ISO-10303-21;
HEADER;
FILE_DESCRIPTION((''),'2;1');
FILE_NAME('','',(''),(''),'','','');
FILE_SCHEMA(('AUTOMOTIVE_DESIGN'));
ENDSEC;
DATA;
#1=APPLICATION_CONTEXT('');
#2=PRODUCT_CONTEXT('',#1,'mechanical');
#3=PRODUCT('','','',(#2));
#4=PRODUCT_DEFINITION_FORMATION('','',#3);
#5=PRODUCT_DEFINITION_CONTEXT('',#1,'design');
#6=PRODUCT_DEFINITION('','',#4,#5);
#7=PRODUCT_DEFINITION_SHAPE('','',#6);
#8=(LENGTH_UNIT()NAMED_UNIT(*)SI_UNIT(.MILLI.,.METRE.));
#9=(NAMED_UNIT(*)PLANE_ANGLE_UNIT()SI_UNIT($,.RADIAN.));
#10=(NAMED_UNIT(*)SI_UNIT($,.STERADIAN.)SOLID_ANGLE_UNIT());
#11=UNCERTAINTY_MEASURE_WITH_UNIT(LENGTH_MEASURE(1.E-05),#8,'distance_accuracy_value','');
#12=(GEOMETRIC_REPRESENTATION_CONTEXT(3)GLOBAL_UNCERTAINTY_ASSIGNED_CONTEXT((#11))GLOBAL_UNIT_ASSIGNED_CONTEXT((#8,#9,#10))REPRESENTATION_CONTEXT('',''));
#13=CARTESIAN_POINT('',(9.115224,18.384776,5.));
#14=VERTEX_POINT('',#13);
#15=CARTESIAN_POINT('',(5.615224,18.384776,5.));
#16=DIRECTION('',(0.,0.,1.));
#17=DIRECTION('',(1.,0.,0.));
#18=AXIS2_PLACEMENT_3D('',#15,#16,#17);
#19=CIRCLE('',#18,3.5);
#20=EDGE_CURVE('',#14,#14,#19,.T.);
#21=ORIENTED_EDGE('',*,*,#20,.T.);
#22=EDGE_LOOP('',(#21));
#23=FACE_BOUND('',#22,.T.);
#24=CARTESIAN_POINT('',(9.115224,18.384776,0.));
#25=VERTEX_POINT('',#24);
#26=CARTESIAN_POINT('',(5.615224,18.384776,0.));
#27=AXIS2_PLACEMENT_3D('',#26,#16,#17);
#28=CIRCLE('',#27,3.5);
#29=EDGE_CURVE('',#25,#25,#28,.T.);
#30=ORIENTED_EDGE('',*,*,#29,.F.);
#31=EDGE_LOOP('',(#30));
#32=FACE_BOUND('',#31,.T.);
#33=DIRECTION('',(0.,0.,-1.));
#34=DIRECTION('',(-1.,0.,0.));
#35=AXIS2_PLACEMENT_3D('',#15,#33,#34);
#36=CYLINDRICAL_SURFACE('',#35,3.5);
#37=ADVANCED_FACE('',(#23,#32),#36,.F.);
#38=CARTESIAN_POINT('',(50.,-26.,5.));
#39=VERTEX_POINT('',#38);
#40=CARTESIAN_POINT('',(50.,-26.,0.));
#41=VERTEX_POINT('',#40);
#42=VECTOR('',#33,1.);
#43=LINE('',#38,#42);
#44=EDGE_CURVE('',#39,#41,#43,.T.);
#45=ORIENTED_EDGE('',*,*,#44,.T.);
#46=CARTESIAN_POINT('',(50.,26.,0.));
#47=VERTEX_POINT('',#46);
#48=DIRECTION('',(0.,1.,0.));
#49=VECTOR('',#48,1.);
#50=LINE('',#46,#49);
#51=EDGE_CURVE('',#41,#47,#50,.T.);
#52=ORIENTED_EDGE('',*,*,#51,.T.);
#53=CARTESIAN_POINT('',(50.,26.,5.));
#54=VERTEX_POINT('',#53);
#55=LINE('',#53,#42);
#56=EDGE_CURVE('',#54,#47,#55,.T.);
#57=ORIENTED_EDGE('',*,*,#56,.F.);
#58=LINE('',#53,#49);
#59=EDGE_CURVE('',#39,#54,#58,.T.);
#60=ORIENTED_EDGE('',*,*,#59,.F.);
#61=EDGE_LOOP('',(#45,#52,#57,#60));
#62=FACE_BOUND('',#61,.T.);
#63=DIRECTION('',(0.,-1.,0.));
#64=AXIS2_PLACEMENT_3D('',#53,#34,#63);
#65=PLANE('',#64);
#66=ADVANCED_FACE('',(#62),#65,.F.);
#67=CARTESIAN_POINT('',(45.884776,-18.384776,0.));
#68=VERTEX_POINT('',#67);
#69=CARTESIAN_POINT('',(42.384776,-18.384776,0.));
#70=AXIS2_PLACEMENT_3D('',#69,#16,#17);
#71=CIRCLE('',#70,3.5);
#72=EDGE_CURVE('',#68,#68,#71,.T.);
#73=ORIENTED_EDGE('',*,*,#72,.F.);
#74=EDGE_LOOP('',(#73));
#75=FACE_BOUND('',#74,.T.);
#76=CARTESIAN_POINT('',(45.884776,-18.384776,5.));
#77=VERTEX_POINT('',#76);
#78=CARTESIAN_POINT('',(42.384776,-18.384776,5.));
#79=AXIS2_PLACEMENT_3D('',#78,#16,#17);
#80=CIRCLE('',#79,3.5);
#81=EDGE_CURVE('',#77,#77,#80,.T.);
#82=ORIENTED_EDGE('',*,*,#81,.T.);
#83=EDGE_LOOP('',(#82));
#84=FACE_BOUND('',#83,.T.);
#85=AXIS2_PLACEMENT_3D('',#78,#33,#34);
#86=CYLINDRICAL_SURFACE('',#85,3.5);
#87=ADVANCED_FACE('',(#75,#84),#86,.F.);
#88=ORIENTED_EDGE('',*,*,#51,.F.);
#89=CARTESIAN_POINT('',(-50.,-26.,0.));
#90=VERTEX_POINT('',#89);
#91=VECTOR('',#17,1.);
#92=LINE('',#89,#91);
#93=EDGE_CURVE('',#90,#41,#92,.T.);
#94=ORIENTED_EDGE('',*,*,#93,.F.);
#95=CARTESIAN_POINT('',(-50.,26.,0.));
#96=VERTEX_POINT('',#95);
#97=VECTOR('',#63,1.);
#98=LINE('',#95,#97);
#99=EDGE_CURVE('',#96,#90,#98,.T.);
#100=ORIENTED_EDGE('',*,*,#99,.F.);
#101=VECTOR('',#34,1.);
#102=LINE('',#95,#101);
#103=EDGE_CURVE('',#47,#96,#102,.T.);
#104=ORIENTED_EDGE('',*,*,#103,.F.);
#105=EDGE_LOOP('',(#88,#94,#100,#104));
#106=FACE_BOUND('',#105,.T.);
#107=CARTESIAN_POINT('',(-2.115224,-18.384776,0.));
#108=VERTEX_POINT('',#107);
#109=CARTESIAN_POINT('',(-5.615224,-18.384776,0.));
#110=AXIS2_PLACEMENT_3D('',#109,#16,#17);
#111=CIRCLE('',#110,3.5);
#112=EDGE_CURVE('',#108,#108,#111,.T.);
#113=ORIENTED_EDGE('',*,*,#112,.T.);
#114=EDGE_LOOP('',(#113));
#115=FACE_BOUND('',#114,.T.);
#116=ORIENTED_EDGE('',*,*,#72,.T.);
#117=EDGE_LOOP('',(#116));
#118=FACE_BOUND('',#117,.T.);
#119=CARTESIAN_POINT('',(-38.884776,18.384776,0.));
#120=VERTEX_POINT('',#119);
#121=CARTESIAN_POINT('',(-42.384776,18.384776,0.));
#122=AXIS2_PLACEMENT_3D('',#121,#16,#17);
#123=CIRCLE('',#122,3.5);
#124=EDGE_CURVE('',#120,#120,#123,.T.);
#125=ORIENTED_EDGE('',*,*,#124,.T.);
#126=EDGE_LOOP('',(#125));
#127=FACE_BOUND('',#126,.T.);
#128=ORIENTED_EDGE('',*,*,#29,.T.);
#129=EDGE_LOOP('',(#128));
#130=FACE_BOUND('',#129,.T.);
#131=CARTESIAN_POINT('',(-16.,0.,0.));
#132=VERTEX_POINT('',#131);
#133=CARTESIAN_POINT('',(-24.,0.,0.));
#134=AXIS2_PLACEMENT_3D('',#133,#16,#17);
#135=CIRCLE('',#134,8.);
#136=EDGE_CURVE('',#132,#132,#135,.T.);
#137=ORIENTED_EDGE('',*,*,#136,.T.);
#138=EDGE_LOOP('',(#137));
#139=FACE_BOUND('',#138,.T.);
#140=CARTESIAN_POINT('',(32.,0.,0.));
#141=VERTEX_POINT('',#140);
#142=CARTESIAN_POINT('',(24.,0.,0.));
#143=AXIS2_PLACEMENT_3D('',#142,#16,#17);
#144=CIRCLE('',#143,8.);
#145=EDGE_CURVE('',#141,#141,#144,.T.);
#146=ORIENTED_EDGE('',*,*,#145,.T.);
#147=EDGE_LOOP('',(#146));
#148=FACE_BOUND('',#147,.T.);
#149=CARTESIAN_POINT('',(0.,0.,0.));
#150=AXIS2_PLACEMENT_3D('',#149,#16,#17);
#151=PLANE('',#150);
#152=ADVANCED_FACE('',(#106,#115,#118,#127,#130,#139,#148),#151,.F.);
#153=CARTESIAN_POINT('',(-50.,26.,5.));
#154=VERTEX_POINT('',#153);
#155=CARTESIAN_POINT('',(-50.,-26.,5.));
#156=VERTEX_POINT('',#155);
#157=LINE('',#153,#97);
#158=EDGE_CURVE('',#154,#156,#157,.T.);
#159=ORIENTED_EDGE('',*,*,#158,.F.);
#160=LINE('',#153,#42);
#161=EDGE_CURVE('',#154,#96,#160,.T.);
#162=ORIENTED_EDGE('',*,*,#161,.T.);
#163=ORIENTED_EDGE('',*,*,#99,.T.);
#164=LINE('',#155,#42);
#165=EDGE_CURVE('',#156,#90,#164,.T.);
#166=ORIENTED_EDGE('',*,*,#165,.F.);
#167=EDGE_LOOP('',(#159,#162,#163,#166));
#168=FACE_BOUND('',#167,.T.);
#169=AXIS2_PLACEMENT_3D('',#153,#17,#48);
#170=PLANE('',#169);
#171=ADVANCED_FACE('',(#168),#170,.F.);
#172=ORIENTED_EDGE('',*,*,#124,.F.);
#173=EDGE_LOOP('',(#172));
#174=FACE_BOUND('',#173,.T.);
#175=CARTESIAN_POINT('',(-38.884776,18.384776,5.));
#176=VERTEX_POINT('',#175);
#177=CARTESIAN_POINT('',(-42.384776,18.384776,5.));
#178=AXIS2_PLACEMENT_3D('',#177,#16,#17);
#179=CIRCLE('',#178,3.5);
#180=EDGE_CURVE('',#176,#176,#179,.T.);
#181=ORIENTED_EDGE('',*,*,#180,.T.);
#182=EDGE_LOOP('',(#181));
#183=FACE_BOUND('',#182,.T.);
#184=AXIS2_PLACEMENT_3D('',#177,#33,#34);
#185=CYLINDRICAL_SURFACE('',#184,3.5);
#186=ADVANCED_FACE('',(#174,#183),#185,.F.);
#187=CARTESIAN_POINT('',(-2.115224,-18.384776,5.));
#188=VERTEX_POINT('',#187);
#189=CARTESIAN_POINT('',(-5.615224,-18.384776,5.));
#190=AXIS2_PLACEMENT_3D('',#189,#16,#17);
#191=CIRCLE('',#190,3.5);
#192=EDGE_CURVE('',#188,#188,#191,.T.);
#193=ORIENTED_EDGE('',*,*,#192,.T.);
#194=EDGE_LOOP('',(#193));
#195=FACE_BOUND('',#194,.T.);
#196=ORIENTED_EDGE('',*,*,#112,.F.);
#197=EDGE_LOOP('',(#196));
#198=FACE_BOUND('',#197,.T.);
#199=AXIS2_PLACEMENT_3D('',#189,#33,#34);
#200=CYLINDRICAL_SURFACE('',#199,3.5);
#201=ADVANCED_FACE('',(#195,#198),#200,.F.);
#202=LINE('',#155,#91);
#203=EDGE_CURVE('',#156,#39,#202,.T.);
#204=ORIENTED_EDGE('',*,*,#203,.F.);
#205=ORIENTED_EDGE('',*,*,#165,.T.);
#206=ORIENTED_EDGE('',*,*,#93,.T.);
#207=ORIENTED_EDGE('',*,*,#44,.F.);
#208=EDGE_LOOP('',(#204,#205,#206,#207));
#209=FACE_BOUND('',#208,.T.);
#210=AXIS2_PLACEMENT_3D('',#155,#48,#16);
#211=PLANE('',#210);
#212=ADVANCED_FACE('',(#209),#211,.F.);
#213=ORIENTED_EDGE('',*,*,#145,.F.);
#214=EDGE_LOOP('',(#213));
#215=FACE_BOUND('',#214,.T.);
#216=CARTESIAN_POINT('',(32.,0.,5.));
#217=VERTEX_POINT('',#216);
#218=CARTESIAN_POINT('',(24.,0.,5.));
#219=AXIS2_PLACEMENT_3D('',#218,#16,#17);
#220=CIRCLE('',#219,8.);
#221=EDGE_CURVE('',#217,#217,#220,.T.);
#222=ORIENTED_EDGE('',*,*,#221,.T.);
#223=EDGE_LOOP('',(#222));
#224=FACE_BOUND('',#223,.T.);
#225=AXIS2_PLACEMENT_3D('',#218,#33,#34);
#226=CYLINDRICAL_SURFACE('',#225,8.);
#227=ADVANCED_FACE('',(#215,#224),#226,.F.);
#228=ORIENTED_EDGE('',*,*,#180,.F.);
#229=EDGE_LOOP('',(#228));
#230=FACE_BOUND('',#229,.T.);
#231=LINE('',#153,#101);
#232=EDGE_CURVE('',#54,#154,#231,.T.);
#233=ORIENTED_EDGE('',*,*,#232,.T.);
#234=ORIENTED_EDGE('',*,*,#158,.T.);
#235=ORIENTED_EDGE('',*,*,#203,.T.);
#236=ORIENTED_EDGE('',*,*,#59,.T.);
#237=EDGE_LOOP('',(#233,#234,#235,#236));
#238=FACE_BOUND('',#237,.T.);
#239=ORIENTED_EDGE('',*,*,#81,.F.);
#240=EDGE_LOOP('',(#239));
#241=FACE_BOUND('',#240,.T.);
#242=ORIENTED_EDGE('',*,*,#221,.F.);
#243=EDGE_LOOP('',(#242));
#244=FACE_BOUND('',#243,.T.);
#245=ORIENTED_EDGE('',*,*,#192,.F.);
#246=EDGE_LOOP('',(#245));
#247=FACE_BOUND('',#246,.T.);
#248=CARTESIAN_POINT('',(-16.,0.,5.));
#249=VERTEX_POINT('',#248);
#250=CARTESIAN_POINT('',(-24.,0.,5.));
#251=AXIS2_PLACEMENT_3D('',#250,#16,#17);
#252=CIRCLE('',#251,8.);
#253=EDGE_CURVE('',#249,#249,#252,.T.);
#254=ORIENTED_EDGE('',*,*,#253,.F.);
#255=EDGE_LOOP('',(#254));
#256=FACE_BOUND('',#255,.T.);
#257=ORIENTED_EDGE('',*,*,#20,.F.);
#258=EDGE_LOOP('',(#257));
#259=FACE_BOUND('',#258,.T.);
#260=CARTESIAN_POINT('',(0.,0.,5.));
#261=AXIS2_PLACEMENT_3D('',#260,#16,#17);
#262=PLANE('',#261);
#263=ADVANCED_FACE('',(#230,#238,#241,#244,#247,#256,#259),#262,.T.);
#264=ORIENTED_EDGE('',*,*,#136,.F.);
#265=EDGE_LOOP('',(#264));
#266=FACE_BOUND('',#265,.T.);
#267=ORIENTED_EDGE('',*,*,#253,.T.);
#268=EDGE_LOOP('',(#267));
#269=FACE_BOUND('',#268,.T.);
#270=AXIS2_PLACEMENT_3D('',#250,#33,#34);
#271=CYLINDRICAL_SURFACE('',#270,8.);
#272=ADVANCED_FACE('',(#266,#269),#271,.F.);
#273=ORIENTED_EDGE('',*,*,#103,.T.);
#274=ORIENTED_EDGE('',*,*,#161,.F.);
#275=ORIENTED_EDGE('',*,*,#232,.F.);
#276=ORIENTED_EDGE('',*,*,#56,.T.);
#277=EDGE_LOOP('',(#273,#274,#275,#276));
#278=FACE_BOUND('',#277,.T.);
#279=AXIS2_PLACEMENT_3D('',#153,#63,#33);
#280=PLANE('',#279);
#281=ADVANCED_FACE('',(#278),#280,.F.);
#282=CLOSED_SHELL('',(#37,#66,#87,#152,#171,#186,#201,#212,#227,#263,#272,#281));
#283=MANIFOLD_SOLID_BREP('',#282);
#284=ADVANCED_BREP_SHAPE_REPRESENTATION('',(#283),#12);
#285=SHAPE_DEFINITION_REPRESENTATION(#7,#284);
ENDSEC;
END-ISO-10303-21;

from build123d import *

# Parameters (mm, degrees)
SKETCH_1_W      = 100
SKETCH_1_H      = 52
SKETCH_1_R      = 8
SKETCH_1_R_2    = 3.5
EXTRUDE_1_DEPTH = 5


with BuildPart() as part:
    # 스케치1 → 보스-돌출1 (new body)
    with BuildSketch(Plane.XY):
        Rectangle(SKETCH_1_W, SKETCH_1_H)
        with Locations((24, 0)):
            Circle(SKETCH_1_R, mode=Mode.SUBTRACT)
        with Locations((-24, 0)):
            Circle(SKETCH_1_R, mode=Mode.SUBTRACT)
        with Locations((-42.384776311, 18.384776311)):
            Circle(SKETCH_1_R_2, mode=Mode.SUBTRACT)
        with Locations((-5.615223689, -18.384776311)):
            Circle(SKETCH_1_R_2, mode=Mode.SUBTRACT)
        with Locations((5.615223689, 18.384776311)):
            Circle(SKETCH_1_R_2, mode=Mode.SUBTRACT)
        with Locations((42.384776311, -18.384776311)):
            Circle(SKETCH_1_R_2, mode=Mode.SUBTRACT)
    extrude(amount=EXTRUDE_1_DEPTH)


solid = part.part
